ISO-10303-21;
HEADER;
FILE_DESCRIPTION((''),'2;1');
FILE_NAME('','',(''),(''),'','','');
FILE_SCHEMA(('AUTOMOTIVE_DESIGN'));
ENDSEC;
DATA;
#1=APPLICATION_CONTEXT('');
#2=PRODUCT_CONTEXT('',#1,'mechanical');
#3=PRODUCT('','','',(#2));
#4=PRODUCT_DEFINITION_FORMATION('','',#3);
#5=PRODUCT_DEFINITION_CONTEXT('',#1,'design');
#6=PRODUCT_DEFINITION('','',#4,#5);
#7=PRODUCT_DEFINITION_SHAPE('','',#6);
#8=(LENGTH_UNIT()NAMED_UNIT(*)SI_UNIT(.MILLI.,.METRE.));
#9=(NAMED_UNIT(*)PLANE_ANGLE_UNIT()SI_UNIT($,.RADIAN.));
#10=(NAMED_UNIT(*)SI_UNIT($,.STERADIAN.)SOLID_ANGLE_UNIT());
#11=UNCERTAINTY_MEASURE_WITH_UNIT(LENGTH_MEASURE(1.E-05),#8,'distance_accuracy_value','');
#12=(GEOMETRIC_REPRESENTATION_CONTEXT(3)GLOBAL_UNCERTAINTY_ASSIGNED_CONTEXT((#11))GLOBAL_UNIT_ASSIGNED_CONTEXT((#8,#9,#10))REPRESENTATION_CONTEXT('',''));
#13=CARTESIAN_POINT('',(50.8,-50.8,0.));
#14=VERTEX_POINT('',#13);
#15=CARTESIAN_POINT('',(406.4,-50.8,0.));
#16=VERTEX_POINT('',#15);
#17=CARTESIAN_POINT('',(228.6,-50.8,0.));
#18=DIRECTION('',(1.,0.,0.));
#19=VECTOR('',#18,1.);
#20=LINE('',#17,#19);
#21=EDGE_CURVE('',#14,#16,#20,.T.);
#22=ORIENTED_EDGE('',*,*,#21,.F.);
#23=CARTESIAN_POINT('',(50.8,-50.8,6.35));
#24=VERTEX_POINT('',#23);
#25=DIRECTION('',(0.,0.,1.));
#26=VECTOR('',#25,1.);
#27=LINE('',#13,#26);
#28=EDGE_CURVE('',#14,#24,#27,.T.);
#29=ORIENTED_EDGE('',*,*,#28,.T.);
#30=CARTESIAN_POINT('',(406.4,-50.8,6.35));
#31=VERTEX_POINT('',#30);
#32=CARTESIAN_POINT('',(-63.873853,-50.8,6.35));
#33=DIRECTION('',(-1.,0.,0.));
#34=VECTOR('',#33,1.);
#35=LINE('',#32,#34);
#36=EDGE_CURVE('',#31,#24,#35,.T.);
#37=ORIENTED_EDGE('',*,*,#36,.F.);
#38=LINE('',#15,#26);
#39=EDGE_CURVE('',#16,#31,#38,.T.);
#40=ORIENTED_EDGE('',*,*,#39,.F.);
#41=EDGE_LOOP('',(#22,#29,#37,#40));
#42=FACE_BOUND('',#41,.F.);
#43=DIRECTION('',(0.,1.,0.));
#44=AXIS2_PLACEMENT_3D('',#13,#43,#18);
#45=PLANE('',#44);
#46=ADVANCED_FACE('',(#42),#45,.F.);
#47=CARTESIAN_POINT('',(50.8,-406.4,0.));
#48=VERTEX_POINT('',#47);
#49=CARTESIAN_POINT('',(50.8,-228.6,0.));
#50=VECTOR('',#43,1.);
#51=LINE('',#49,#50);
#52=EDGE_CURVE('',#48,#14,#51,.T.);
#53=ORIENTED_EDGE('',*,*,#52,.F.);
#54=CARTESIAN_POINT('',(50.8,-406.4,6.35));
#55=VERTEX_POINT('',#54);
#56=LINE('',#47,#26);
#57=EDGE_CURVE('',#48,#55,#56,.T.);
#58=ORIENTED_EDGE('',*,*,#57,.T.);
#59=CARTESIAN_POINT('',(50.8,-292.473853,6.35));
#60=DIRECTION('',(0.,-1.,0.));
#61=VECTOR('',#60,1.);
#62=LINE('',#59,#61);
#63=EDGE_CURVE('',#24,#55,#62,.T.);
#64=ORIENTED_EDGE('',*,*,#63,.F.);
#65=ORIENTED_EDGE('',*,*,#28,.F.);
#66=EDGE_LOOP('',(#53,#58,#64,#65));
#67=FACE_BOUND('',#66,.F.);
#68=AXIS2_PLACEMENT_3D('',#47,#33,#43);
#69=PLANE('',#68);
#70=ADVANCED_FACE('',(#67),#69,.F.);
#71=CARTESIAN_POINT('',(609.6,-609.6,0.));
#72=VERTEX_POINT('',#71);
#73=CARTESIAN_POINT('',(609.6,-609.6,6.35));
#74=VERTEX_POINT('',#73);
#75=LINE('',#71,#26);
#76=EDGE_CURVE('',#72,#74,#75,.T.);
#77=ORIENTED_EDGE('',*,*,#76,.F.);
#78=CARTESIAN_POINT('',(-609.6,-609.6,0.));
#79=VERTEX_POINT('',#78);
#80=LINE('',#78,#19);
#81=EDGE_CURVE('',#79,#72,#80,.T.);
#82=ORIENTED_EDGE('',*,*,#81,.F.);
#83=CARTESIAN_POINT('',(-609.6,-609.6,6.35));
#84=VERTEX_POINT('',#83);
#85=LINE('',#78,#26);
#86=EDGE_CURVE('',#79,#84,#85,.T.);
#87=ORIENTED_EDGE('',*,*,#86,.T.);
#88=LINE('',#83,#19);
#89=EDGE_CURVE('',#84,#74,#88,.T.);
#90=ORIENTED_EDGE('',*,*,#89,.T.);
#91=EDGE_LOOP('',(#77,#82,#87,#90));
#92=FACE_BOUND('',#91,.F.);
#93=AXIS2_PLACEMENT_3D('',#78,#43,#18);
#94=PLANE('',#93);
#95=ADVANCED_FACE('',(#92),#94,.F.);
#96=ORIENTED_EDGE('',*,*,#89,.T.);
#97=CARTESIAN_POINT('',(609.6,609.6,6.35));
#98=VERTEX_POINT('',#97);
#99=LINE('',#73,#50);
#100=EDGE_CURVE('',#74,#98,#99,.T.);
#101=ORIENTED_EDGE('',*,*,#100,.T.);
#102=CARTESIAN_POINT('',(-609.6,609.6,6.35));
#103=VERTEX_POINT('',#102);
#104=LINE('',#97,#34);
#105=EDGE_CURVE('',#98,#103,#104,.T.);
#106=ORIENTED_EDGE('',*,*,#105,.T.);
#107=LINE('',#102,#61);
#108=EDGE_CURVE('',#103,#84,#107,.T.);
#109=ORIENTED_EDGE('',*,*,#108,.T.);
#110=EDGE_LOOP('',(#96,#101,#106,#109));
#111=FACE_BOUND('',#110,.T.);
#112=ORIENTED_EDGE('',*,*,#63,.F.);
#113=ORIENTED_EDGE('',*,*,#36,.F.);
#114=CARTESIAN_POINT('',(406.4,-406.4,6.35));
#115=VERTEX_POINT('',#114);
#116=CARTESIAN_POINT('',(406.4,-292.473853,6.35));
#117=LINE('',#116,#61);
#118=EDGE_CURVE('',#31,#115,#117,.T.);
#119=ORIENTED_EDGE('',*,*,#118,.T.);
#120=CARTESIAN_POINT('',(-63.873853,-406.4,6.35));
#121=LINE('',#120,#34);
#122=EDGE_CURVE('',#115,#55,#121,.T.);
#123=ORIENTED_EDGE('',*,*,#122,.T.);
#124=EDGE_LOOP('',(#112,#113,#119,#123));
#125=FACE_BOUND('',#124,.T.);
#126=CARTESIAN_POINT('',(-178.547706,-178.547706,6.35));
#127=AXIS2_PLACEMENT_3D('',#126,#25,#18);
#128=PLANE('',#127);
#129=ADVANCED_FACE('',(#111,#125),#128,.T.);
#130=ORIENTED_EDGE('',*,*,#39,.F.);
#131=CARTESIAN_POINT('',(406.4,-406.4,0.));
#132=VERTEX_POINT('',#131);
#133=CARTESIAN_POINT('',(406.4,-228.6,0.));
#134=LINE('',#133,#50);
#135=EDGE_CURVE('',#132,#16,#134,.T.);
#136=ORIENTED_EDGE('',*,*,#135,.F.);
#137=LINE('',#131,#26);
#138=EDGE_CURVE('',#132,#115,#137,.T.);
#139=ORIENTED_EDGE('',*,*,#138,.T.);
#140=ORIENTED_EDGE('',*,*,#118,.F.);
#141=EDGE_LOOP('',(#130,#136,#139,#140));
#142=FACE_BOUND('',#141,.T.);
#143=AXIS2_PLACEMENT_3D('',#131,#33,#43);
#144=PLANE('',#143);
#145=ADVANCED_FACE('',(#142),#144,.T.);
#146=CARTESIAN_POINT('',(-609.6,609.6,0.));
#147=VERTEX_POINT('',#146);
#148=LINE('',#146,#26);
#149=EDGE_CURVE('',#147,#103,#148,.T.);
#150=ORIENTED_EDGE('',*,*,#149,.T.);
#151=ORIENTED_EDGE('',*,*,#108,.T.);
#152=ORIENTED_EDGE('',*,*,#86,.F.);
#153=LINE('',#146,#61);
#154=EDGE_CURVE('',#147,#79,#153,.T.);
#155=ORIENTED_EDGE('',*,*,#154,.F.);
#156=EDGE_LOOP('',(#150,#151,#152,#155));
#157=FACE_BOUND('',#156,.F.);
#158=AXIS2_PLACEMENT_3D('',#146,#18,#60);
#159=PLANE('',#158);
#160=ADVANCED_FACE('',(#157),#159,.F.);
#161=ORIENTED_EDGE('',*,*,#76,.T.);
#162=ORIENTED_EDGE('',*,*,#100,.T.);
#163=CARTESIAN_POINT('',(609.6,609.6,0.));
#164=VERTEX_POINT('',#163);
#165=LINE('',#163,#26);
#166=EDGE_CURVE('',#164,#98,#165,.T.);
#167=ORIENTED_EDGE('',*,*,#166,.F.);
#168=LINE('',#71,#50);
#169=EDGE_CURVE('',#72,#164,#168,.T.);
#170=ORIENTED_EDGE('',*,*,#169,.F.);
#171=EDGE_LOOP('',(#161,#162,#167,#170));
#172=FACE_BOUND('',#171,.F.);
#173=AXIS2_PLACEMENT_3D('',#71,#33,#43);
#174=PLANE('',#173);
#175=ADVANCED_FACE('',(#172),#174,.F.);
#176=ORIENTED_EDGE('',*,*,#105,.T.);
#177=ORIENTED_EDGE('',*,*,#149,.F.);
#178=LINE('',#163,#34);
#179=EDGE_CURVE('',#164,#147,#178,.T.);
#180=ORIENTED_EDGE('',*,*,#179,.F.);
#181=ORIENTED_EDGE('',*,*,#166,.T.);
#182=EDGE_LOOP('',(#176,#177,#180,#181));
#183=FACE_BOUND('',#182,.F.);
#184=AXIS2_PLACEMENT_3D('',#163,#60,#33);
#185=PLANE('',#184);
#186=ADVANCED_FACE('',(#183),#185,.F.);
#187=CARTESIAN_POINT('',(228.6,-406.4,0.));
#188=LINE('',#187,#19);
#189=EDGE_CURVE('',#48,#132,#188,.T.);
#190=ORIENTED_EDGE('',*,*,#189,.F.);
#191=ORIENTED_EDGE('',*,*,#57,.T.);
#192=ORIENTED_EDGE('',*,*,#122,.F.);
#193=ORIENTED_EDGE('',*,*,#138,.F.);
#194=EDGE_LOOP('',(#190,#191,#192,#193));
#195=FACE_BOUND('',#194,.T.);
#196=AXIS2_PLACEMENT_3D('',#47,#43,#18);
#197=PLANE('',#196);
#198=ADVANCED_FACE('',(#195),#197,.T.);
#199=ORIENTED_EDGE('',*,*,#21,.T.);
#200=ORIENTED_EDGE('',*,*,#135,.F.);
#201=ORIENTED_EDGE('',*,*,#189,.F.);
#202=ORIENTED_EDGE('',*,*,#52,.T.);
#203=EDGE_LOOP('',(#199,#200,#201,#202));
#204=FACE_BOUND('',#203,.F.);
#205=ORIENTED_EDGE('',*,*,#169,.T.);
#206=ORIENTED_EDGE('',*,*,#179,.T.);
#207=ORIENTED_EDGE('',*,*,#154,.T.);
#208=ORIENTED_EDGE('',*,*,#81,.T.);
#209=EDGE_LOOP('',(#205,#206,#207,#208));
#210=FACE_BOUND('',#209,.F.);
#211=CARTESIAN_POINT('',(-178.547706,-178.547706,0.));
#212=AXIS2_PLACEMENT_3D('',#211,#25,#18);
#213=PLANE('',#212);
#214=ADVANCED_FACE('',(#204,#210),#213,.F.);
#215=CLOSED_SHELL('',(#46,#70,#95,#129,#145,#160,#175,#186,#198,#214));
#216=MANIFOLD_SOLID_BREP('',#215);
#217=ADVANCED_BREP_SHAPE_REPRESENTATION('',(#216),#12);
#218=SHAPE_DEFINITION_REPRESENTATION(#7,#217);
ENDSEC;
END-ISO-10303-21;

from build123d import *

# Parameters (mm, degrees)
F1_DEPTH = 6.35
F2_W     = 355.6
F2_H     = 355.6
F3_DEPTH = 25.4


with BuildPart() as f1:
    # F0 (on Top) → F1 (new body)
    with BuildSketch(Plane.XY):
        Polygon((609.6, -609.6), (-609.6, 609.6), (-609.6, -609.6), align=None)
        Polygon((609.6, 609.6), (-609.6, 609.6), (609.6, -609.6), align=None)
    extrude(amount=F1_DEPTH)

    # F2 (on Top) → F3 (cut)
    with BuildSketch(Plane.XY):
        with Locations((228.6, -228.6)):
            Rectangle(F2_W, F2_H)
    extrude(amount=F3_DEPTH, mode=Mode.SUBTRACT)


solid = f1.part
